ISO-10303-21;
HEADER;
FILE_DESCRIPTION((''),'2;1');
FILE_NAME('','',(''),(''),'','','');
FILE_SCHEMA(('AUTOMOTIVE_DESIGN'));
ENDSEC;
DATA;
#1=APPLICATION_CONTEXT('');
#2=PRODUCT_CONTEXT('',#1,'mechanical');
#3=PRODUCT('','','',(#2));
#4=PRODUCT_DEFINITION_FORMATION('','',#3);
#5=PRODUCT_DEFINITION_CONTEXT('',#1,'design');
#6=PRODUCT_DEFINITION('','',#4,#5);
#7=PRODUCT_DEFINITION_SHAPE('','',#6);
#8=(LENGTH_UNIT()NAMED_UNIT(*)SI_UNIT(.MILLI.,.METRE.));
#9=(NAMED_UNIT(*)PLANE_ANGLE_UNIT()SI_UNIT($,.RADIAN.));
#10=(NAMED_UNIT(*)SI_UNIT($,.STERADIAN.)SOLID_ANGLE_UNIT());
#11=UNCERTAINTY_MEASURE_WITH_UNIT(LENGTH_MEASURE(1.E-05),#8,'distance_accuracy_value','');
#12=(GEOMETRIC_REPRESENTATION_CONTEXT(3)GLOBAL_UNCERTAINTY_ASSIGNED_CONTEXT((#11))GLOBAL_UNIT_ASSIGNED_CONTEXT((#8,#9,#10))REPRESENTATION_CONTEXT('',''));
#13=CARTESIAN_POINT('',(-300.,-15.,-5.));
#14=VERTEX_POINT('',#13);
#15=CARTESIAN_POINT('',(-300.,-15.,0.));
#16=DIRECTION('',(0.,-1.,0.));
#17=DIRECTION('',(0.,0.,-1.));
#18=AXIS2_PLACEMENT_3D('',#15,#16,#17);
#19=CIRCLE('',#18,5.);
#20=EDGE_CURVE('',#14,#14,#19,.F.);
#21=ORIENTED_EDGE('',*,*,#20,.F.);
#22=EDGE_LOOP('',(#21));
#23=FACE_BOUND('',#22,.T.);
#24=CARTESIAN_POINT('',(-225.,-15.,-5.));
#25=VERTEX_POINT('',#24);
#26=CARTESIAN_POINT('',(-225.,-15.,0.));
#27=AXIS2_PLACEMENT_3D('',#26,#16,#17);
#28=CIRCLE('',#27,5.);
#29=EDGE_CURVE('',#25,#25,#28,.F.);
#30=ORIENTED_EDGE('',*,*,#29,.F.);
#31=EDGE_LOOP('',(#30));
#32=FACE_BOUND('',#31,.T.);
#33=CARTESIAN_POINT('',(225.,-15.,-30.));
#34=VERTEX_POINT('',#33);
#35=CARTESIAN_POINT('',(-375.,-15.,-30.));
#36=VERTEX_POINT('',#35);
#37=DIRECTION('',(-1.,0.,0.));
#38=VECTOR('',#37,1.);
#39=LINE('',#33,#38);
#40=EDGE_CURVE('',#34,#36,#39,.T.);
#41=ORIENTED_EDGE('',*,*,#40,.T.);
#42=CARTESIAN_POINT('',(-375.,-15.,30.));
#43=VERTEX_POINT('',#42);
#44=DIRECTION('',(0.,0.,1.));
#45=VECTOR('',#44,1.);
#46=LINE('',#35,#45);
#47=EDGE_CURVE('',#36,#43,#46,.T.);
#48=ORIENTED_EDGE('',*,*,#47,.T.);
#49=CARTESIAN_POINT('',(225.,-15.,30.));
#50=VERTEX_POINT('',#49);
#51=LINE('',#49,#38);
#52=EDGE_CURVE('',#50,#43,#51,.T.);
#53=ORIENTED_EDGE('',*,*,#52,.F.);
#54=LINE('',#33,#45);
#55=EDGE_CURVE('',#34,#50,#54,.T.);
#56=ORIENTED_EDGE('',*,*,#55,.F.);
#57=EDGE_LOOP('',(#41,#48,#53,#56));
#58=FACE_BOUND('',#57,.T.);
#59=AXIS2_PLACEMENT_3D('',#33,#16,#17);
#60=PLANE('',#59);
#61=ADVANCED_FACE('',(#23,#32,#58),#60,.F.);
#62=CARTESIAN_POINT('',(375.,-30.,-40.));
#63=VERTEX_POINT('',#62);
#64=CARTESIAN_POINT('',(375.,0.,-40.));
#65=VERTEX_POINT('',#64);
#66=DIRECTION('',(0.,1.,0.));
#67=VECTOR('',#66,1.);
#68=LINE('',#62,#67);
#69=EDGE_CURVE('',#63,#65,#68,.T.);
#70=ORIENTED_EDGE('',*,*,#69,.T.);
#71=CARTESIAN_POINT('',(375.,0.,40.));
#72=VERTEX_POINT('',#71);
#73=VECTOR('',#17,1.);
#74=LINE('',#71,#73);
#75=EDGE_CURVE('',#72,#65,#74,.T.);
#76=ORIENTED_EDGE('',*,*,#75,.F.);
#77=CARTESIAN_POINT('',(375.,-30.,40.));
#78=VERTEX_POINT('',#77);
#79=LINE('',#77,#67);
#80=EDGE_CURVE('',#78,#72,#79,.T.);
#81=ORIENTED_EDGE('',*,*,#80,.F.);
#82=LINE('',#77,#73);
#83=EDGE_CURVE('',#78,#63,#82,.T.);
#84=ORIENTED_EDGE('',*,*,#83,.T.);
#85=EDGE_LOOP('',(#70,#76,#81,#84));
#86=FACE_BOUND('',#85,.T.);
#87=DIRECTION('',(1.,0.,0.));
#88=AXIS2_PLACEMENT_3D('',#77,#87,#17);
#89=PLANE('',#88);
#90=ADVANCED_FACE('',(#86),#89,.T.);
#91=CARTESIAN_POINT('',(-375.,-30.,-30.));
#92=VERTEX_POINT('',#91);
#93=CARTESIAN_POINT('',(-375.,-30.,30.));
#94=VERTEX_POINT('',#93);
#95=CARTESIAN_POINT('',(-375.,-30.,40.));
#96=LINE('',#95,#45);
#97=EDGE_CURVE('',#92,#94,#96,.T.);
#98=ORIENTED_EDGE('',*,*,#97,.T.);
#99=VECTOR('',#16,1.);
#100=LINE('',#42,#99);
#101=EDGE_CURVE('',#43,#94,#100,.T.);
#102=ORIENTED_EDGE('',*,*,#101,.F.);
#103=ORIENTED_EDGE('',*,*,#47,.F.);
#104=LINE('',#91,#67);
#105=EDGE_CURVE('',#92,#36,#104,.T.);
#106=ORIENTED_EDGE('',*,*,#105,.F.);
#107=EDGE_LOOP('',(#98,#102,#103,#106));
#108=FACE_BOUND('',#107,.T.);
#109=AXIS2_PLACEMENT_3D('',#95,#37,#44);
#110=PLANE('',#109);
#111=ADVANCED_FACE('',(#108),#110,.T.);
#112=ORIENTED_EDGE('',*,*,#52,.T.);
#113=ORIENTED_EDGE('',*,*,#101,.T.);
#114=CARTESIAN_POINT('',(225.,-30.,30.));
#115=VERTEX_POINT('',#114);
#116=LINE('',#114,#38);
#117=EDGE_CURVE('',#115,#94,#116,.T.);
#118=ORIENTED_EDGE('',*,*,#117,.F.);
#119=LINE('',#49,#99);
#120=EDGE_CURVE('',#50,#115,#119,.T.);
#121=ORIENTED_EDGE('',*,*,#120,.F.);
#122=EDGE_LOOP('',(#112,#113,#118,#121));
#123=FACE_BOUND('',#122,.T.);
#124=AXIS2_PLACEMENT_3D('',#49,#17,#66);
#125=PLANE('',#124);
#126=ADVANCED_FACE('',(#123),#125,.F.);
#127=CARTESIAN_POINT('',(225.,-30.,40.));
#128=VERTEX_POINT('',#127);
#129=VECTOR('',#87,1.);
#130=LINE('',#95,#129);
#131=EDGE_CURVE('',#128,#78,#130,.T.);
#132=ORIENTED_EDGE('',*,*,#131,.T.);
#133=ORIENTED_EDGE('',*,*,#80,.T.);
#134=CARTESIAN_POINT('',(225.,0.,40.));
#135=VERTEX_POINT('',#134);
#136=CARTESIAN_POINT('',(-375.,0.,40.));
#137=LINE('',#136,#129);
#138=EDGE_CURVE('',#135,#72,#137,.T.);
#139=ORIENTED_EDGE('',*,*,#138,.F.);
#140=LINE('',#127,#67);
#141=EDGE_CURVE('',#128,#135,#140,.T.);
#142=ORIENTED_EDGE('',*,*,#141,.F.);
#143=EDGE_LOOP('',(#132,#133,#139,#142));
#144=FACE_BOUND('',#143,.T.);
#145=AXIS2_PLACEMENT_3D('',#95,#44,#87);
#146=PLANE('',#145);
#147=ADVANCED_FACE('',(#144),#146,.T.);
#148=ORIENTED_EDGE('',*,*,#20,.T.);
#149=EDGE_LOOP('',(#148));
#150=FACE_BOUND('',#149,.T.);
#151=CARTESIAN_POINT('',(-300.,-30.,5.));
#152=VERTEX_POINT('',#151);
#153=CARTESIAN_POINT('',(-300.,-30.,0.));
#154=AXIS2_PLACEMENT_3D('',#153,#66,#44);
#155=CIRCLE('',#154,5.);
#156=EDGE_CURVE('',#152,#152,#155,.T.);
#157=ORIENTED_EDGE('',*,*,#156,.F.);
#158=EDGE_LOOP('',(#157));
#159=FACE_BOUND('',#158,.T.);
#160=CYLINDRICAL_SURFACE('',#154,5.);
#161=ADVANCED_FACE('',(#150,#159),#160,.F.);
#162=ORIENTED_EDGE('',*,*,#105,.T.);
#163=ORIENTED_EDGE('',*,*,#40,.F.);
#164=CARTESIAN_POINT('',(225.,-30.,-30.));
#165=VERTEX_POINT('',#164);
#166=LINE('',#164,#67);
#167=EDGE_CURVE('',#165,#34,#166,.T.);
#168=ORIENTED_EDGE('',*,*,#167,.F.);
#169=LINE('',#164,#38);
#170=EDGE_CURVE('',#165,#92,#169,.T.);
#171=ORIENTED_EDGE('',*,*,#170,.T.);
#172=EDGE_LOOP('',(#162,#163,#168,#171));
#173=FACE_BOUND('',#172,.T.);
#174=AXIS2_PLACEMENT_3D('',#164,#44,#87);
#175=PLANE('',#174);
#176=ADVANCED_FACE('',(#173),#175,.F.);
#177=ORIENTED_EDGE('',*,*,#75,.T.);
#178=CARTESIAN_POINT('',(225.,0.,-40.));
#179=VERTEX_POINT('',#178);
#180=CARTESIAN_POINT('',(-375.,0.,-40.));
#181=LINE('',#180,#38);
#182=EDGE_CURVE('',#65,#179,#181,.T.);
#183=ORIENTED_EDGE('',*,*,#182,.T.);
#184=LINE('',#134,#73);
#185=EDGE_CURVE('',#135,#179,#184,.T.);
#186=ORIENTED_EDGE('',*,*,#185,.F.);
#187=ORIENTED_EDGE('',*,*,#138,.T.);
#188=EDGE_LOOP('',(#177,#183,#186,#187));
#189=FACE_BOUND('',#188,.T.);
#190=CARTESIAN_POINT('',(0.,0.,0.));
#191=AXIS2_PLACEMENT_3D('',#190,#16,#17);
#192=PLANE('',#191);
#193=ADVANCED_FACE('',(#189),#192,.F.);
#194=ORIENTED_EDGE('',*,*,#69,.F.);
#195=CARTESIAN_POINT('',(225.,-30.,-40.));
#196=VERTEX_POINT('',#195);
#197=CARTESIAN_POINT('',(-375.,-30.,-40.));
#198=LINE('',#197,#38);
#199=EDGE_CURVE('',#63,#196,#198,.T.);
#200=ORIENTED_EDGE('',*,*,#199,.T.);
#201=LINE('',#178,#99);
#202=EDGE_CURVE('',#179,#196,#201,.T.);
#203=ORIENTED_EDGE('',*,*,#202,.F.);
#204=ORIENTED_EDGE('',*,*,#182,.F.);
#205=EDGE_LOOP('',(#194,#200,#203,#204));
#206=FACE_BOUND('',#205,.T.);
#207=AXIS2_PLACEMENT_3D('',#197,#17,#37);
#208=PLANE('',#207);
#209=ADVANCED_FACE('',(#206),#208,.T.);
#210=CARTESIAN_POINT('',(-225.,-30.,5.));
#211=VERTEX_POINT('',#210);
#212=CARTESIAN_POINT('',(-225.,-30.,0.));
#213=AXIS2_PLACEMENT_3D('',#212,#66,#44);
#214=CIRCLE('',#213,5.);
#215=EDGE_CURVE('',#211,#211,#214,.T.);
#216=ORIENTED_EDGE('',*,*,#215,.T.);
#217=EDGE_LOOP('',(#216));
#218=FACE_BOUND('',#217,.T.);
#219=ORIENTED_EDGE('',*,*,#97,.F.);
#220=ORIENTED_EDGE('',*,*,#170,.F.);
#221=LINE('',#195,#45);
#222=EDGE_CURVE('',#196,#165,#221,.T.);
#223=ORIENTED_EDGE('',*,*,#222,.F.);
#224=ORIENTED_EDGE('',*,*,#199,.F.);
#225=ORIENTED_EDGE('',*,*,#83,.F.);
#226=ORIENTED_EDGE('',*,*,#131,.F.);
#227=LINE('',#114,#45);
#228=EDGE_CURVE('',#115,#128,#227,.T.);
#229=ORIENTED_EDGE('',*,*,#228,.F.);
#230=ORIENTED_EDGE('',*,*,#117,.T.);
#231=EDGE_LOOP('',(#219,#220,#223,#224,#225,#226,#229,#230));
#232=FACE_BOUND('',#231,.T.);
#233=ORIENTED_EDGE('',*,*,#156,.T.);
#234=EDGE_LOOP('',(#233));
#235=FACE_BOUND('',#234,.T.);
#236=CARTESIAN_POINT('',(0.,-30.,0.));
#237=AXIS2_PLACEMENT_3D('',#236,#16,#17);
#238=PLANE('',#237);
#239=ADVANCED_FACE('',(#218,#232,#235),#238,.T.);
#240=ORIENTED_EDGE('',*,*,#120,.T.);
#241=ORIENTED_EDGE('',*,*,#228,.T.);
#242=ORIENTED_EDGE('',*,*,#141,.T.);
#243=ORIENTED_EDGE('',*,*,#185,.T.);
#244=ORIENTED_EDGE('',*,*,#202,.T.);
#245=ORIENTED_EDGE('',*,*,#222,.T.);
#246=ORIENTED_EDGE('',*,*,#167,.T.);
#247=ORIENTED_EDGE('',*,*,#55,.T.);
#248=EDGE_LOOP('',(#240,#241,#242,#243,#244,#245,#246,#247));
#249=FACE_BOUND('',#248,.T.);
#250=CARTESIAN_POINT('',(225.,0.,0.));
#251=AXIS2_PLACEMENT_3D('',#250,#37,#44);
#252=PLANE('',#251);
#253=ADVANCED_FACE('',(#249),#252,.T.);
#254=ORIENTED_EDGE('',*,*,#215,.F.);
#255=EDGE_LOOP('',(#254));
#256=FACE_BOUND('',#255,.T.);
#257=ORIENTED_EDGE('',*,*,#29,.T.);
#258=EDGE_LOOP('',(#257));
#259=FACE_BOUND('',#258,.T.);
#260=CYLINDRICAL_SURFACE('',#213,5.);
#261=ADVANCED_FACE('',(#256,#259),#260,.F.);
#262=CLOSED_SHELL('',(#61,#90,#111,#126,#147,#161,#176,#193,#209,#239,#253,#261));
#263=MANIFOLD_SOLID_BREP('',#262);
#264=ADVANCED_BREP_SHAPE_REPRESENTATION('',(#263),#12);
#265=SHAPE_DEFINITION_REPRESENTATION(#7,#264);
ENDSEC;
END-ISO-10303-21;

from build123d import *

# Parameters (mm, degrees)
IZIM1_W                     = 750
IZIM1_H                     = 80
IZIM1_R                     = 5
Y_KSEKLIK_EKSTR_ZYON1_DEPTH = 30
KES_EKSTR_ZYON1_DEPTH       = 600


with BuildPart() as part:
    # Çizim1 → Yükseklik-Ekstrüzyon1 (new body)
    with BuildSketch(Plane(origin=(0, 0, 0), x_dir=(1, 0, 0), z_dir=(0, 1, 0))):
        Rectangle(IZIM1_W, IZIM1_H)
        with Locations((-300, 0)):
            Circle(IZIM1_R, mode=Mode.SUBTRACT)
        with Locations((-225, 0)):
            Circle(IZIM1_R, mode=Mode.SUBTRACT)
    extrude(amount=-Y_KSEKLIK_EKSTR_ZYON1_DEPTH)

    # Çizim3 → Kes-Ekstrüzyon1 (cut)
    with BuildSketch(Plane.ZY.offset(375)):
        Polygon((-30, -30), (-30, -15), (30, -15), (30, -30), (40, -30), (40, 0), (-40, 0), (-40, -30), align=None)
    extrude(amount=-KES_EKSTR_ZYON1_DEPTH, mode=Mode.SUBTRACT)


solid = part.part
